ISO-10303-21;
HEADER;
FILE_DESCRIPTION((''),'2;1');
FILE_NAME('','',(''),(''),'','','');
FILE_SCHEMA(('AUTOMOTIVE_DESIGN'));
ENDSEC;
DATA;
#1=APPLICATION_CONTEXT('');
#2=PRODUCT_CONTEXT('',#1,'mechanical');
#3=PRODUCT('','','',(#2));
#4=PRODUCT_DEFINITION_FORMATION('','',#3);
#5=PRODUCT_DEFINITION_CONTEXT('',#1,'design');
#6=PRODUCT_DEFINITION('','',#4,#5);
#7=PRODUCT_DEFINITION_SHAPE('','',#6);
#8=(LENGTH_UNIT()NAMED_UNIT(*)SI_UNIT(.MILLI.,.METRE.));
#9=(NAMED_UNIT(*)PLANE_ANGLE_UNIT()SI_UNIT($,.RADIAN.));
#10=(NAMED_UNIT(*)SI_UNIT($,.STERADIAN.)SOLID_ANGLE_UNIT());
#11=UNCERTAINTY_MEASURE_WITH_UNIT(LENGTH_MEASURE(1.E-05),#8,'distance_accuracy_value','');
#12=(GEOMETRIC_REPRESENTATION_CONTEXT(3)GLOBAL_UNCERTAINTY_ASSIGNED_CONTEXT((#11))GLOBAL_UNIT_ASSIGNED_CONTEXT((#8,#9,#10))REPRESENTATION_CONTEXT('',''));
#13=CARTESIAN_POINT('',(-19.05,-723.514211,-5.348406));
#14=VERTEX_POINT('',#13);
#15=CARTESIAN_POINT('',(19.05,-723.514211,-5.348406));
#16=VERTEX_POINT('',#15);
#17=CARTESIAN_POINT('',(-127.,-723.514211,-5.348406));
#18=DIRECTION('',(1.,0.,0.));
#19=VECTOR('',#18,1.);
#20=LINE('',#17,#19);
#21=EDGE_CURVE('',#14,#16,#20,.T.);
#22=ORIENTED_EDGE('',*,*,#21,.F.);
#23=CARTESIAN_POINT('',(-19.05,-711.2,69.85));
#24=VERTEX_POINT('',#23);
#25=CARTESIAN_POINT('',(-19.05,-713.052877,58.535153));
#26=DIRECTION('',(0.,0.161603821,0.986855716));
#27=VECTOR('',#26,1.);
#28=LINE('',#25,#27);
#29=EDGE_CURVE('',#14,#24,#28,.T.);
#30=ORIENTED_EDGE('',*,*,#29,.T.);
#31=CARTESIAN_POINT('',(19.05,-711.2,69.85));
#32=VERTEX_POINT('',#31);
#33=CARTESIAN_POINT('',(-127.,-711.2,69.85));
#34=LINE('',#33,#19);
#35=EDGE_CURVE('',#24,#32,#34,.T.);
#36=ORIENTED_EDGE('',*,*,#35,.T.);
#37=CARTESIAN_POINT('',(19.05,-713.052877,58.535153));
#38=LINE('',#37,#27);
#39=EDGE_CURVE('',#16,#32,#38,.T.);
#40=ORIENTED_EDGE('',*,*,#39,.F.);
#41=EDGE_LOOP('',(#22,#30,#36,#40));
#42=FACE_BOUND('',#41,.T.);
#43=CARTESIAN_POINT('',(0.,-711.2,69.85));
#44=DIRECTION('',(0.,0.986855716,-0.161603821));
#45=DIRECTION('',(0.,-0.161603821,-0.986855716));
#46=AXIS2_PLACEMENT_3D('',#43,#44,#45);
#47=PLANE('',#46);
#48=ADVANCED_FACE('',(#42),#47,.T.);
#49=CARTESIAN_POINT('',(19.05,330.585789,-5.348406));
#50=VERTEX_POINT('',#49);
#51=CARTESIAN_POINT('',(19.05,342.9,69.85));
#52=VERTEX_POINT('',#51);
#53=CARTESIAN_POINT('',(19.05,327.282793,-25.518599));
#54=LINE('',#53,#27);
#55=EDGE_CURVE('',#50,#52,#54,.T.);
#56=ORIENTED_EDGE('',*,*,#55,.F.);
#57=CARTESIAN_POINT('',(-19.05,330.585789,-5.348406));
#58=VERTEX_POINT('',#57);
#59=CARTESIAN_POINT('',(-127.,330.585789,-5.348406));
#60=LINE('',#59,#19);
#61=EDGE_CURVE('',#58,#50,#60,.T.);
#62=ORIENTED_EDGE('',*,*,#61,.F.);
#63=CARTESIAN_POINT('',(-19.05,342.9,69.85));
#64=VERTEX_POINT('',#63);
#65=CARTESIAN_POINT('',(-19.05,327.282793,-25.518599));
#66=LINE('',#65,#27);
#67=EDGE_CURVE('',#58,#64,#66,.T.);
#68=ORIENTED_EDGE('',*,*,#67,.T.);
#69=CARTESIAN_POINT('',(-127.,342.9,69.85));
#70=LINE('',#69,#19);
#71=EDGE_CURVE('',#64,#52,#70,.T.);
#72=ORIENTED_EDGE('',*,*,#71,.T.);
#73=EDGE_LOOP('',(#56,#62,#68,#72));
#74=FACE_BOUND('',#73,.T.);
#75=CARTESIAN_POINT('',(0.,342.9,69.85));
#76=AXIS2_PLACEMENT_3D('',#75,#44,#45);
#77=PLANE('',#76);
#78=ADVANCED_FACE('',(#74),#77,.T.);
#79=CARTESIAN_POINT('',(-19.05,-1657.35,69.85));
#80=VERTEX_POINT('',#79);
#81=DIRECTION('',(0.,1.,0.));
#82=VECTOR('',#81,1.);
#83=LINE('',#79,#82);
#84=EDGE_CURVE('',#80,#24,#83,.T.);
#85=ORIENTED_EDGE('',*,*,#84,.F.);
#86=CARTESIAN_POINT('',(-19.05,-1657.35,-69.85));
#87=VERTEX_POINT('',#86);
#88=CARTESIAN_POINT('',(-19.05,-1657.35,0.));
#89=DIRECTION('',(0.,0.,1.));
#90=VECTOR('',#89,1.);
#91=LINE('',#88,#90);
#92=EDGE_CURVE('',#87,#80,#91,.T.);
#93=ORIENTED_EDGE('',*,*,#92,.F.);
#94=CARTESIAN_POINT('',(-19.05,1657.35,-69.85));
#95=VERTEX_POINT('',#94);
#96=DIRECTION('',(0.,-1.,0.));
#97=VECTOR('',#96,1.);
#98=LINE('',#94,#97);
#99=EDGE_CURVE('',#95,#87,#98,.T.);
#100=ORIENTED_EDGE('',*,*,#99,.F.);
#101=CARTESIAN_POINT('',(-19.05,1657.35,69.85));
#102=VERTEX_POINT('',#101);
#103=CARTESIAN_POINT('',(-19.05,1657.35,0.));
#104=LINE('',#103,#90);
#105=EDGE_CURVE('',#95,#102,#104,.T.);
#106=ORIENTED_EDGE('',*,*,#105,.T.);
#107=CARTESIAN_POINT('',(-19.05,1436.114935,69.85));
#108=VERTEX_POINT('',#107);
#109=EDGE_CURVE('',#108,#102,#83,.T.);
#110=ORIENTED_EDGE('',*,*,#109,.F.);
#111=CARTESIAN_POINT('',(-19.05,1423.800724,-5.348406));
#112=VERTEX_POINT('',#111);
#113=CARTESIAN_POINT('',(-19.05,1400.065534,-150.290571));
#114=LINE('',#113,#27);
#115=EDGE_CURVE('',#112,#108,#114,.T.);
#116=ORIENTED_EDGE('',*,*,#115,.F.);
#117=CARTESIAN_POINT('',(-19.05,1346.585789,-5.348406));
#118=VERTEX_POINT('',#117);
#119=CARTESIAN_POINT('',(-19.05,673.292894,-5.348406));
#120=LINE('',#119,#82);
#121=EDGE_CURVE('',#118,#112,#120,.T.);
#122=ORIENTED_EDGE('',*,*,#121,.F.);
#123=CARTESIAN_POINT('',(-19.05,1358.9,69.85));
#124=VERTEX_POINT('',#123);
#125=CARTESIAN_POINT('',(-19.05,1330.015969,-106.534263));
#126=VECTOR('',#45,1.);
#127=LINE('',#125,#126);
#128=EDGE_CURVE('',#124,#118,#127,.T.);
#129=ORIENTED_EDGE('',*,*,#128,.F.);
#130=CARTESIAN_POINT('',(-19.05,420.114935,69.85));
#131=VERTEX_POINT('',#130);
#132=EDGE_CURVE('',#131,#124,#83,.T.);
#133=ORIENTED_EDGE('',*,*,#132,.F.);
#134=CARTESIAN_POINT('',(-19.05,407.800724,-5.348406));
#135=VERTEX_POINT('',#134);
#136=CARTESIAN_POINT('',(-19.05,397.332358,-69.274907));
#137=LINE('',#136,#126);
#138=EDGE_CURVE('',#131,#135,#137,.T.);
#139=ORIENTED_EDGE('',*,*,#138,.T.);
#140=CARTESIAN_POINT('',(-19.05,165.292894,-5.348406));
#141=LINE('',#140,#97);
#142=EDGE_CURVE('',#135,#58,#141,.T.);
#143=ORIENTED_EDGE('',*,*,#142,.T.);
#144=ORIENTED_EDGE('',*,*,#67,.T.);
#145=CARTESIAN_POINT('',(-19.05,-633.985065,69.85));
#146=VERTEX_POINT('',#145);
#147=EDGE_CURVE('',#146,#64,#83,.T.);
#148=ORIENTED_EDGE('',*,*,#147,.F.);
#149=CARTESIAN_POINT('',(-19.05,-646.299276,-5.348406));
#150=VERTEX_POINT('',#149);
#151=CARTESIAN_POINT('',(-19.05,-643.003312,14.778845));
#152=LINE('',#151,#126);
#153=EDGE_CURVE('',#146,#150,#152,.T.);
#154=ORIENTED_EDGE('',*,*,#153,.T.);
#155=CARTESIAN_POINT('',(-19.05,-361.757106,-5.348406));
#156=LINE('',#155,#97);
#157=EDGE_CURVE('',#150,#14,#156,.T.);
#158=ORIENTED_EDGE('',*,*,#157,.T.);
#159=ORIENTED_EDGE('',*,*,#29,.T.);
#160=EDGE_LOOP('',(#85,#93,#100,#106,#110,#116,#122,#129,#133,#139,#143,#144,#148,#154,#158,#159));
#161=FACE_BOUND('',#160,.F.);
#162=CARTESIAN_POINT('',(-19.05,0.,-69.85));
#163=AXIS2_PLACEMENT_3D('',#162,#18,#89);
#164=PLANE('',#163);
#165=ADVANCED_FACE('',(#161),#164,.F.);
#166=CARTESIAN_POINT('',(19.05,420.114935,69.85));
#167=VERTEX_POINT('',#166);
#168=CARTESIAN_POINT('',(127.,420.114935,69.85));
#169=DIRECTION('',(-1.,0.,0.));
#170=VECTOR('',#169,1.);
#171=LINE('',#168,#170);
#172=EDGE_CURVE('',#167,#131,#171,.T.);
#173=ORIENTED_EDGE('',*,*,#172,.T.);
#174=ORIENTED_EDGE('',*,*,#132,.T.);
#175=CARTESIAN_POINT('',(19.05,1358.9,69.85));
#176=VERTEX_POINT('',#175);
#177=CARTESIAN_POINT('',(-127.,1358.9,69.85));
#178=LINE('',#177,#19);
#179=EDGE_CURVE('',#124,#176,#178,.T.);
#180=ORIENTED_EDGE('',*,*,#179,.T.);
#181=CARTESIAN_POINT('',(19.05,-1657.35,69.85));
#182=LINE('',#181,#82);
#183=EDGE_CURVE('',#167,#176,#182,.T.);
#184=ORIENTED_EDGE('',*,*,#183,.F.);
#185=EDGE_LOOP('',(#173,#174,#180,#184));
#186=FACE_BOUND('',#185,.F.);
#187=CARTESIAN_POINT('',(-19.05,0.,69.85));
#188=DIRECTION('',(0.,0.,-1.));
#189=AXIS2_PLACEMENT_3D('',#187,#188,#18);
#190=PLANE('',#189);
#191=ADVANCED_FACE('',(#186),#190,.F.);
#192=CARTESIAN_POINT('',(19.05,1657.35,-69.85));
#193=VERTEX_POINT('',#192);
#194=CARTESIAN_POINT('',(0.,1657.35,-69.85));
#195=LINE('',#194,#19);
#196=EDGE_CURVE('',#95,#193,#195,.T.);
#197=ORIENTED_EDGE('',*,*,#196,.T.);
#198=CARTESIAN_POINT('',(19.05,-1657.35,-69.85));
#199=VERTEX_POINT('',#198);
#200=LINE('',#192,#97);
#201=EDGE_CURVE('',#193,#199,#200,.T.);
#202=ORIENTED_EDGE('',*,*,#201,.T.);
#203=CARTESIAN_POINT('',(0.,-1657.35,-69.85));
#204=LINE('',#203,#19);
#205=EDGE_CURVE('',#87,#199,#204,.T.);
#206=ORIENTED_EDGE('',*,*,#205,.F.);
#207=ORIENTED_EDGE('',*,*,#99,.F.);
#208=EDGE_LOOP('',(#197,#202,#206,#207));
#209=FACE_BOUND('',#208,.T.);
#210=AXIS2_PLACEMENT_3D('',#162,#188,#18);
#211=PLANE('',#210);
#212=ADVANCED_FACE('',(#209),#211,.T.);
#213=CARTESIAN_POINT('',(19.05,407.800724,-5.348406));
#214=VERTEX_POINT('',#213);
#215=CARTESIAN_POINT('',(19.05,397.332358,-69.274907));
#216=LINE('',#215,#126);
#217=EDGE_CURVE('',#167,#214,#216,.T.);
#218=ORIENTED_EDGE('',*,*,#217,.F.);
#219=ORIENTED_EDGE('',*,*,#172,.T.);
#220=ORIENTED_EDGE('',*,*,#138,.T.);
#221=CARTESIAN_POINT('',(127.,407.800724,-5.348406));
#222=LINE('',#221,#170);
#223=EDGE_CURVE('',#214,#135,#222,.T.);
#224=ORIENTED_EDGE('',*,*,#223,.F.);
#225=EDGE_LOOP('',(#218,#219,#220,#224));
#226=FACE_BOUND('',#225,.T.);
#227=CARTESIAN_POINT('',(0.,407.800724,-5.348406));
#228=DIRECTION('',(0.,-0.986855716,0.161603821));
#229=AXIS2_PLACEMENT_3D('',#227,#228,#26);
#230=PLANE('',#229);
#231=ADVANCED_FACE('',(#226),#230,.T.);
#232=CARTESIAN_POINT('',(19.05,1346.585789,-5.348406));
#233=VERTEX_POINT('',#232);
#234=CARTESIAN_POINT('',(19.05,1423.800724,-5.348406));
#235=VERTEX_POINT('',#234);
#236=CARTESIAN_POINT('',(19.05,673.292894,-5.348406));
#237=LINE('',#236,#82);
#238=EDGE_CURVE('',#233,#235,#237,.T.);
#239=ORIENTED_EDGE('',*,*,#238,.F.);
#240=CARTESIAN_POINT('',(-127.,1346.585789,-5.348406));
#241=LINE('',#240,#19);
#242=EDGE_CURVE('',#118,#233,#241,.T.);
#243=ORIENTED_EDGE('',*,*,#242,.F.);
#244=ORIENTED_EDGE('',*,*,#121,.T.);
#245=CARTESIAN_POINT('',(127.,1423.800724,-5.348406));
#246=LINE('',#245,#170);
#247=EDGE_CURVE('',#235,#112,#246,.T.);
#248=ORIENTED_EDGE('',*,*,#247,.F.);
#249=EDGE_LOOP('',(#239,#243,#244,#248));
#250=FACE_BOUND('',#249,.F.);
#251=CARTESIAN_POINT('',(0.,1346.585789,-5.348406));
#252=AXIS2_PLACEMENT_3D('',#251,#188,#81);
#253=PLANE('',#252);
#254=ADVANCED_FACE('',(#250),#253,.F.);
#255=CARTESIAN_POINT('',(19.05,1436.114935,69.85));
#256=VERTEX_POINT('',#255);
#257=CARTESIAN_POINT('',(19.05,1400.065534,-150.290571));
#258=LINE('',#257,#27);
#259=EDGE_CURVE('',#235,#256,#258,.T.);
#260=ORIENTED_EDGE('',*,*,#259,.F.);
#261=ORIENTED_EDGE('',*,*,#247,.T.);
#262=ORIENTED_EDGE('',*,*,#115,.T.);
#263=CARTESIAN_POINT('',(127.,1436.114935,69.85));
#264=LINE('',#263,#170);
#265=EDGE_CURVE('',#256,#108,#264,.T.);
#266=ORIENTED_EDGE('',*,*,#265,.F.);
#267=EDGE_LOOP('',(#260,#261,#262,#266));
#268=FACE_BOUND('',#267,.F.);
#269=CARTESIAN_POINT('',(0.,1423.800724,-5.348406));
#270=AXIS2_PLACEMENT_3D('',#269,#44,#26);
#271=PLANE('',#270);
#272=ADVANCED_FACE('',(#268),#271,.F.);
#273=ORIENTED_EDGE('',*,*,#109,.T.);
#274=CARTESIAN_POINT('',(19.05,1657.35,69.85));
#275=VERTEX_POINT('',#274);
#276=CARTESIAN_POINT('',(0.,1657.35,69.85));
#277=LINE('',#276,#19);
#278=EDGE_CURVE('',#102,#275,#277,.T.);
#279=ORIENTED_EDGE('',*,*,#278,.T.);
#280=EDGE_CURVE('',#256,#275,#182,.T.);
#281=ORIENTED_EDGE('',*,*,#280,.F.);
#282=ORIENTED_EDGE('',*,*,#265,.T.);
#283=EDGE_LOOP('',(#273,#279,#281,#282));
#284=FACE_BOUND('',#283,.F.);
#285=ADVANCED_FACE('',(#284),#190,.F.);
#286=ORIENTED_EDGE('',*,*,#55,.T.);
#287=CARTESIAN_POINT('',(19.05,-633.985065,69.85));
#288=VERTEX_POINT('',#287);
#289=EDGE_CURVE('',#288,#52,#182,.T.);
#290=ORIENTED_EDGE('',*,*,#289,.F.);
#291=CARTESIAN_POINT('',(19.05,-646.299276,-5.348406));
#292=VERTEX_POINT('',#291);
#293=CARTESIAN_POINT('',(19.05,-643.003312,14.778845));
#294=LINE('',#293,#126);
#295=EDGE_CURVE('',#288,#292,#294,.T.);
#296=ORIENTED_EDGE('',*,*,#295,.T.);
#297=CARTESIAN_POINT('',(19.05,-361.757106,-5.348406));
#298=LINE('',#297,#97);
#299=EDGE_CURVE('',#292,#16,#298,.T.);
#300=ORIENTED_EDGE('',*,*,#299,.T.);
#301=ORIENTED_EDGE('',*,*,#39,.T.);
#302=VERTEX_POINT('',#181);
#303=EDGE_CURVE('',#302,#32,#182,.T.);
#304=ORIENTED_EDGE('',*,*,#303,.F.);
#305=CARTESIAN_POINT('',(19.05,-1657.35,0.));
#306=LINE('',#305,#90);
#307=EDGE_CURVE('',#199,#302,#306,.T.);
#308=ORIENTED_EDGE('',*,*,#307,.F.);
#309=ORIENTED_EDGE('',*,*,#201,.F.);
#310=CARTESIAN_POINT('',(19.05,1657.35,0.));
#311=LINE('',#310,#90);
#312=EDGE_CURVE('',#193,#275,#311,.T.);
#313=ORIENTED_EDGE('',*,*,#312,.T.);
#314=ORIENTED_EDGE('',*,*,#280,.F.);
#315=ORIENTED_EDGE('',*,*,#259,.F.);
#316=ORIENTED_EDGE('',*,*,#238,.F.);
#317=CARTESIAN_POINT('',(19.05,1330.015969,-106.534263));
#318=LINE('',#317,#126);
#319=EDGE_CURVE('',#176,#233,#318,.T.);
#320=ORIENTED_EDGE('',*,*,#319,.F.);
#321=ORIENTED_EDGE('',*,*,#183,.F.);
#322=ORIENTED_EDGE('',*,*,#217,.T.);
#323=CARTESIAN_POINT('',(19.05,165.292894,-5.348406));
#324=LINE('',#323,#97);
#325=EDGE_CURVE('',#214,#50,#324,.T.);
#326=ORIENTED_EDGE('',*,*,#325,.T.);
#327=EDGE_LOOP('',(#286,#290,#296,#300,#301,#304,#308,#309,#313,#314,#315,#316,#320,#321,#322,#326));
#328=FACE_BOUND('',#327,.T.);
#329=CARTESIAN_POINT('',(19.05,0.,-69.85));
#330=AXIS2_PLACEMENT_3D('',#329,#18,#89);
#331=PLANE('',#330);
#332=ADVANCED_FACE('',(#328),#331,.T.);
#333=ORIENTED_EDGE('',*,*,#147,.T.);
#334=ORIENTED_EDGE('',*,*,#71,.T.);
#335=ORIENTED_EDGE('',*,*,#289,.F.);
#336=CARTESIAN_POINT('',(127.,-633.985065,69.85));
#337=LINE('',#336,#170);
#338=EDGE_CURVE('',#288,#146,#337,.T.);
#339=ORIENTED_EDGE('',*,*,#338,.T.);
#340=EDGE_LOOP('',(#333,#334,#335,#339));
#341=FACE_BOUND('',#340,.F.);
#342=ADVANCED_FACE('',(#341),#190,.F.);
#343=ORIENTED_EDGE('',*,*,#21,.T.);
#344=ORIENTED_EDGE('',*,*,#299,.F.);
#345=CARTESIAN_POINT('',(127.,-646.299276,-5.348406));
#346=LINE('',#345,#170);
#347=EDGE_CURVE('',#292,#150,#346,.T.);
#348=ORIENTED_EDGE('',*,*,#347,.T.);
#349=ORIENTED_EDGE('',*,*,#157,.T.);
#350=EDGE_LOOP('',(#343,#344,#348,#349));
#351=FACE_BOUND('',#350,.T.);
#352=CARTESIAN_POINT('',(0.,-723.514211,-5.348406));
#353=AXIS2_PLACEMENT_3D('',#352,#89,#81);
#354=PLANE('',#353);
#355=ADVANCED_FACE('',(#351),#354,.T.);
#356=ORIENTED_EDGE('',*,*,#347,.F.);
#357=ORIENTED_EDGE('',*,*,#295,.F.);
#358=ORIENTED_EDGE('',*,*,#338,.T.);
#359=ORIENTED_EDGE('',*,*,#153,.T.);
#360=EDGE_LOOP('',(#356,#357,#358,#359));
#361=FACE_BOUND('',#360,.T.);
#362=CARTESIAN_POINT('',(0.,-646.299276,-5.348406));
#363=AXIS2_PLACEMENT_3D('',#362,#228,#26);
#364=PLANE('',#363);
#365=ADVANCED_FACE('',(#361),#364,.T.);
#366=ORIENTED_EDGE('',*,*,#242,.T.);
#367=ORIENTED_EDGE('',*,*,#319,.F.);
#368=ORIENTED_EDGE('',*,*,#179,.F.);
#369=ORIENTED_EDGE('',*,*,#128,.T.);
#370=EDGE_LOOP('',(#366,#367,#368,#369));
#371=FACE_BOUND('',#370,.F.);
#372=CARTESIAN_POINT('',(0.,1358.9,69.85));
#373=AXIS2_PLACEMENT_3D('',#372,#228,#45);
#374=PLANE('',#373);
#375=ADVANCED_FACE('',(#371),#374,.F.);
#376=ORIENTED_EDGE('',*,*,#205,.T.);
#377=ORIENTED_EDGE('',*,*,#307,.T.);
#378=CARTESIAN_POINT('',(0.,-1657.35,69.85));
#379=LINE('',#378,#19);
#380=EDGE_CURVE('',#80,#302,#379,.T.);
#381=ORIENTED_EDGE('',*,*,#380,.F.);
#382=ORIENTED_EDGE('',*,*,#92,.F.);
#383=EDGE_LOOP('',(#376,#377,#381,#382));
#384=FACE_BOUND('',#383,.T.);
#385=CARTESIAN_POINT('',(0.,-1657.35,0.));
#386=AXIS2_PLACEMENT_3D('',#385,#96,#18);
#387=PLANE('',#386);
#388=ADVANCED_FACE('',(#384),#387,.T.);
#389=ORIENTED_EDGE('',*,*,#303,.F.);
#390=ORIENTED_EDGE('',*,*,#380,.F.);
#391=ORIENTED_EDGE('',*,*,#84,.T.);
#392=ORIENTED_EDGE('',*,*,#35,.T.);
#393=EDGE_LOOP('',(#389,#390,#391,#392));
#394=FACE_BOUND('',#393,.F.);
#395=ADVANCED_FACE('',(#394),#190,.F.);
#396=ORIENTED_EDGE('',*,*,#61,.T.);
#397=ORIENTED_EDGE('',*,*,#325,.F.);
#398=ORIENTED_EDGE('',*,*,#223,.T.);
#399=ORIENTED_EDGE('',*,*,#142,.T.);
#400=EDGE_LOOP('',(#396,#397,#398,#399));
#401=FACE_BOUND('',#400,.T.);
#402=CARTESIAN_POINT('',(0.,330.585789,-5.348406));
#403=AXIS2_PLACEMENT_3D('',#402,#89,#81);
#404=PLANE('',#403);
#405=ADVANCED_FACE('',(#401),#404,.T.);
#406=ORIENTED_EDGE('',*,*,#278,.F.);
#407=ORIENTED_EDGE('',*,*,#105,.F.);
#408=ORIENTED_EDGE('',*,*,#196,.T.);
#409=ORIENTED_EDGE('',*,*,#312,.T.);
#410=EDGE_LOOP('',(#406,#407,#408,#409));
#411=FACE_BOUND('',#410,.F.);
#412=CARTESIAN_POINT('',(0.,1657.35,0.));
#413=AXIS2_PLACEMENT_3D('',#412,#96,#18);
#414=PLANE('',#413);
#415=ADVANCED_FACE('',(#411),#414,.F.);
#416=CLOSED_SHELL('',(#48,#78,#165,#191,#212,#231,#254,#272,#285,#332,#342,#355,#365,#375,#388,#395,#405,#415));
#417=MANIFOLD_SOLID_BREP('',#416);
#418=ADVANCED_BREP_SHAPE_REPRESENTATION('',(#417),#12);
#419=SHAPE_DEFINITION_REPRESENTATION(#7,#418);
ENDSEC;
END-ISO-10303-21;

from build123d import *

# Parameters (mm, degrees)
F0_W     = 38.1
F0_H     = 139.7
F1_DEPTH = 1657.35
F3_DEPTH = 127


with BuildPart() as f1:
    # F0 (on Front) → F1 (new body, symmetric)
    with BuildSketch(Plane.XZ):
        Rectangle(F0_W, F0_H)
    extrude(amount=F1_DEPTH, both=True)

    # F2 (on Right) → F3 (cut, symmetric)
    with BuildSketch(Plane.YZ):
        Polygon((-633.9850649967, 69.85), (-711.2, 69.85), (-723.5142111681, -5.3484055902), (-646.2992761648, -5.3484055902), align=None)
        Polygon((420.1149350033, 69.85), (342.9, 69.85), (330.5857888319, -5.3484055902), (407.8007238352, -5.3484055902), align=None)
        Polygon((1436.1149350033, 69.85), (1358.9, 69.85), (1346.5857888319, -5.3484055902), (1423.8007238352, -5.3484055902), align=None)
    extrude(amount=F3_DEPTH, both=True, mode=Mode.SUBTRACT)


solid = f1.part
